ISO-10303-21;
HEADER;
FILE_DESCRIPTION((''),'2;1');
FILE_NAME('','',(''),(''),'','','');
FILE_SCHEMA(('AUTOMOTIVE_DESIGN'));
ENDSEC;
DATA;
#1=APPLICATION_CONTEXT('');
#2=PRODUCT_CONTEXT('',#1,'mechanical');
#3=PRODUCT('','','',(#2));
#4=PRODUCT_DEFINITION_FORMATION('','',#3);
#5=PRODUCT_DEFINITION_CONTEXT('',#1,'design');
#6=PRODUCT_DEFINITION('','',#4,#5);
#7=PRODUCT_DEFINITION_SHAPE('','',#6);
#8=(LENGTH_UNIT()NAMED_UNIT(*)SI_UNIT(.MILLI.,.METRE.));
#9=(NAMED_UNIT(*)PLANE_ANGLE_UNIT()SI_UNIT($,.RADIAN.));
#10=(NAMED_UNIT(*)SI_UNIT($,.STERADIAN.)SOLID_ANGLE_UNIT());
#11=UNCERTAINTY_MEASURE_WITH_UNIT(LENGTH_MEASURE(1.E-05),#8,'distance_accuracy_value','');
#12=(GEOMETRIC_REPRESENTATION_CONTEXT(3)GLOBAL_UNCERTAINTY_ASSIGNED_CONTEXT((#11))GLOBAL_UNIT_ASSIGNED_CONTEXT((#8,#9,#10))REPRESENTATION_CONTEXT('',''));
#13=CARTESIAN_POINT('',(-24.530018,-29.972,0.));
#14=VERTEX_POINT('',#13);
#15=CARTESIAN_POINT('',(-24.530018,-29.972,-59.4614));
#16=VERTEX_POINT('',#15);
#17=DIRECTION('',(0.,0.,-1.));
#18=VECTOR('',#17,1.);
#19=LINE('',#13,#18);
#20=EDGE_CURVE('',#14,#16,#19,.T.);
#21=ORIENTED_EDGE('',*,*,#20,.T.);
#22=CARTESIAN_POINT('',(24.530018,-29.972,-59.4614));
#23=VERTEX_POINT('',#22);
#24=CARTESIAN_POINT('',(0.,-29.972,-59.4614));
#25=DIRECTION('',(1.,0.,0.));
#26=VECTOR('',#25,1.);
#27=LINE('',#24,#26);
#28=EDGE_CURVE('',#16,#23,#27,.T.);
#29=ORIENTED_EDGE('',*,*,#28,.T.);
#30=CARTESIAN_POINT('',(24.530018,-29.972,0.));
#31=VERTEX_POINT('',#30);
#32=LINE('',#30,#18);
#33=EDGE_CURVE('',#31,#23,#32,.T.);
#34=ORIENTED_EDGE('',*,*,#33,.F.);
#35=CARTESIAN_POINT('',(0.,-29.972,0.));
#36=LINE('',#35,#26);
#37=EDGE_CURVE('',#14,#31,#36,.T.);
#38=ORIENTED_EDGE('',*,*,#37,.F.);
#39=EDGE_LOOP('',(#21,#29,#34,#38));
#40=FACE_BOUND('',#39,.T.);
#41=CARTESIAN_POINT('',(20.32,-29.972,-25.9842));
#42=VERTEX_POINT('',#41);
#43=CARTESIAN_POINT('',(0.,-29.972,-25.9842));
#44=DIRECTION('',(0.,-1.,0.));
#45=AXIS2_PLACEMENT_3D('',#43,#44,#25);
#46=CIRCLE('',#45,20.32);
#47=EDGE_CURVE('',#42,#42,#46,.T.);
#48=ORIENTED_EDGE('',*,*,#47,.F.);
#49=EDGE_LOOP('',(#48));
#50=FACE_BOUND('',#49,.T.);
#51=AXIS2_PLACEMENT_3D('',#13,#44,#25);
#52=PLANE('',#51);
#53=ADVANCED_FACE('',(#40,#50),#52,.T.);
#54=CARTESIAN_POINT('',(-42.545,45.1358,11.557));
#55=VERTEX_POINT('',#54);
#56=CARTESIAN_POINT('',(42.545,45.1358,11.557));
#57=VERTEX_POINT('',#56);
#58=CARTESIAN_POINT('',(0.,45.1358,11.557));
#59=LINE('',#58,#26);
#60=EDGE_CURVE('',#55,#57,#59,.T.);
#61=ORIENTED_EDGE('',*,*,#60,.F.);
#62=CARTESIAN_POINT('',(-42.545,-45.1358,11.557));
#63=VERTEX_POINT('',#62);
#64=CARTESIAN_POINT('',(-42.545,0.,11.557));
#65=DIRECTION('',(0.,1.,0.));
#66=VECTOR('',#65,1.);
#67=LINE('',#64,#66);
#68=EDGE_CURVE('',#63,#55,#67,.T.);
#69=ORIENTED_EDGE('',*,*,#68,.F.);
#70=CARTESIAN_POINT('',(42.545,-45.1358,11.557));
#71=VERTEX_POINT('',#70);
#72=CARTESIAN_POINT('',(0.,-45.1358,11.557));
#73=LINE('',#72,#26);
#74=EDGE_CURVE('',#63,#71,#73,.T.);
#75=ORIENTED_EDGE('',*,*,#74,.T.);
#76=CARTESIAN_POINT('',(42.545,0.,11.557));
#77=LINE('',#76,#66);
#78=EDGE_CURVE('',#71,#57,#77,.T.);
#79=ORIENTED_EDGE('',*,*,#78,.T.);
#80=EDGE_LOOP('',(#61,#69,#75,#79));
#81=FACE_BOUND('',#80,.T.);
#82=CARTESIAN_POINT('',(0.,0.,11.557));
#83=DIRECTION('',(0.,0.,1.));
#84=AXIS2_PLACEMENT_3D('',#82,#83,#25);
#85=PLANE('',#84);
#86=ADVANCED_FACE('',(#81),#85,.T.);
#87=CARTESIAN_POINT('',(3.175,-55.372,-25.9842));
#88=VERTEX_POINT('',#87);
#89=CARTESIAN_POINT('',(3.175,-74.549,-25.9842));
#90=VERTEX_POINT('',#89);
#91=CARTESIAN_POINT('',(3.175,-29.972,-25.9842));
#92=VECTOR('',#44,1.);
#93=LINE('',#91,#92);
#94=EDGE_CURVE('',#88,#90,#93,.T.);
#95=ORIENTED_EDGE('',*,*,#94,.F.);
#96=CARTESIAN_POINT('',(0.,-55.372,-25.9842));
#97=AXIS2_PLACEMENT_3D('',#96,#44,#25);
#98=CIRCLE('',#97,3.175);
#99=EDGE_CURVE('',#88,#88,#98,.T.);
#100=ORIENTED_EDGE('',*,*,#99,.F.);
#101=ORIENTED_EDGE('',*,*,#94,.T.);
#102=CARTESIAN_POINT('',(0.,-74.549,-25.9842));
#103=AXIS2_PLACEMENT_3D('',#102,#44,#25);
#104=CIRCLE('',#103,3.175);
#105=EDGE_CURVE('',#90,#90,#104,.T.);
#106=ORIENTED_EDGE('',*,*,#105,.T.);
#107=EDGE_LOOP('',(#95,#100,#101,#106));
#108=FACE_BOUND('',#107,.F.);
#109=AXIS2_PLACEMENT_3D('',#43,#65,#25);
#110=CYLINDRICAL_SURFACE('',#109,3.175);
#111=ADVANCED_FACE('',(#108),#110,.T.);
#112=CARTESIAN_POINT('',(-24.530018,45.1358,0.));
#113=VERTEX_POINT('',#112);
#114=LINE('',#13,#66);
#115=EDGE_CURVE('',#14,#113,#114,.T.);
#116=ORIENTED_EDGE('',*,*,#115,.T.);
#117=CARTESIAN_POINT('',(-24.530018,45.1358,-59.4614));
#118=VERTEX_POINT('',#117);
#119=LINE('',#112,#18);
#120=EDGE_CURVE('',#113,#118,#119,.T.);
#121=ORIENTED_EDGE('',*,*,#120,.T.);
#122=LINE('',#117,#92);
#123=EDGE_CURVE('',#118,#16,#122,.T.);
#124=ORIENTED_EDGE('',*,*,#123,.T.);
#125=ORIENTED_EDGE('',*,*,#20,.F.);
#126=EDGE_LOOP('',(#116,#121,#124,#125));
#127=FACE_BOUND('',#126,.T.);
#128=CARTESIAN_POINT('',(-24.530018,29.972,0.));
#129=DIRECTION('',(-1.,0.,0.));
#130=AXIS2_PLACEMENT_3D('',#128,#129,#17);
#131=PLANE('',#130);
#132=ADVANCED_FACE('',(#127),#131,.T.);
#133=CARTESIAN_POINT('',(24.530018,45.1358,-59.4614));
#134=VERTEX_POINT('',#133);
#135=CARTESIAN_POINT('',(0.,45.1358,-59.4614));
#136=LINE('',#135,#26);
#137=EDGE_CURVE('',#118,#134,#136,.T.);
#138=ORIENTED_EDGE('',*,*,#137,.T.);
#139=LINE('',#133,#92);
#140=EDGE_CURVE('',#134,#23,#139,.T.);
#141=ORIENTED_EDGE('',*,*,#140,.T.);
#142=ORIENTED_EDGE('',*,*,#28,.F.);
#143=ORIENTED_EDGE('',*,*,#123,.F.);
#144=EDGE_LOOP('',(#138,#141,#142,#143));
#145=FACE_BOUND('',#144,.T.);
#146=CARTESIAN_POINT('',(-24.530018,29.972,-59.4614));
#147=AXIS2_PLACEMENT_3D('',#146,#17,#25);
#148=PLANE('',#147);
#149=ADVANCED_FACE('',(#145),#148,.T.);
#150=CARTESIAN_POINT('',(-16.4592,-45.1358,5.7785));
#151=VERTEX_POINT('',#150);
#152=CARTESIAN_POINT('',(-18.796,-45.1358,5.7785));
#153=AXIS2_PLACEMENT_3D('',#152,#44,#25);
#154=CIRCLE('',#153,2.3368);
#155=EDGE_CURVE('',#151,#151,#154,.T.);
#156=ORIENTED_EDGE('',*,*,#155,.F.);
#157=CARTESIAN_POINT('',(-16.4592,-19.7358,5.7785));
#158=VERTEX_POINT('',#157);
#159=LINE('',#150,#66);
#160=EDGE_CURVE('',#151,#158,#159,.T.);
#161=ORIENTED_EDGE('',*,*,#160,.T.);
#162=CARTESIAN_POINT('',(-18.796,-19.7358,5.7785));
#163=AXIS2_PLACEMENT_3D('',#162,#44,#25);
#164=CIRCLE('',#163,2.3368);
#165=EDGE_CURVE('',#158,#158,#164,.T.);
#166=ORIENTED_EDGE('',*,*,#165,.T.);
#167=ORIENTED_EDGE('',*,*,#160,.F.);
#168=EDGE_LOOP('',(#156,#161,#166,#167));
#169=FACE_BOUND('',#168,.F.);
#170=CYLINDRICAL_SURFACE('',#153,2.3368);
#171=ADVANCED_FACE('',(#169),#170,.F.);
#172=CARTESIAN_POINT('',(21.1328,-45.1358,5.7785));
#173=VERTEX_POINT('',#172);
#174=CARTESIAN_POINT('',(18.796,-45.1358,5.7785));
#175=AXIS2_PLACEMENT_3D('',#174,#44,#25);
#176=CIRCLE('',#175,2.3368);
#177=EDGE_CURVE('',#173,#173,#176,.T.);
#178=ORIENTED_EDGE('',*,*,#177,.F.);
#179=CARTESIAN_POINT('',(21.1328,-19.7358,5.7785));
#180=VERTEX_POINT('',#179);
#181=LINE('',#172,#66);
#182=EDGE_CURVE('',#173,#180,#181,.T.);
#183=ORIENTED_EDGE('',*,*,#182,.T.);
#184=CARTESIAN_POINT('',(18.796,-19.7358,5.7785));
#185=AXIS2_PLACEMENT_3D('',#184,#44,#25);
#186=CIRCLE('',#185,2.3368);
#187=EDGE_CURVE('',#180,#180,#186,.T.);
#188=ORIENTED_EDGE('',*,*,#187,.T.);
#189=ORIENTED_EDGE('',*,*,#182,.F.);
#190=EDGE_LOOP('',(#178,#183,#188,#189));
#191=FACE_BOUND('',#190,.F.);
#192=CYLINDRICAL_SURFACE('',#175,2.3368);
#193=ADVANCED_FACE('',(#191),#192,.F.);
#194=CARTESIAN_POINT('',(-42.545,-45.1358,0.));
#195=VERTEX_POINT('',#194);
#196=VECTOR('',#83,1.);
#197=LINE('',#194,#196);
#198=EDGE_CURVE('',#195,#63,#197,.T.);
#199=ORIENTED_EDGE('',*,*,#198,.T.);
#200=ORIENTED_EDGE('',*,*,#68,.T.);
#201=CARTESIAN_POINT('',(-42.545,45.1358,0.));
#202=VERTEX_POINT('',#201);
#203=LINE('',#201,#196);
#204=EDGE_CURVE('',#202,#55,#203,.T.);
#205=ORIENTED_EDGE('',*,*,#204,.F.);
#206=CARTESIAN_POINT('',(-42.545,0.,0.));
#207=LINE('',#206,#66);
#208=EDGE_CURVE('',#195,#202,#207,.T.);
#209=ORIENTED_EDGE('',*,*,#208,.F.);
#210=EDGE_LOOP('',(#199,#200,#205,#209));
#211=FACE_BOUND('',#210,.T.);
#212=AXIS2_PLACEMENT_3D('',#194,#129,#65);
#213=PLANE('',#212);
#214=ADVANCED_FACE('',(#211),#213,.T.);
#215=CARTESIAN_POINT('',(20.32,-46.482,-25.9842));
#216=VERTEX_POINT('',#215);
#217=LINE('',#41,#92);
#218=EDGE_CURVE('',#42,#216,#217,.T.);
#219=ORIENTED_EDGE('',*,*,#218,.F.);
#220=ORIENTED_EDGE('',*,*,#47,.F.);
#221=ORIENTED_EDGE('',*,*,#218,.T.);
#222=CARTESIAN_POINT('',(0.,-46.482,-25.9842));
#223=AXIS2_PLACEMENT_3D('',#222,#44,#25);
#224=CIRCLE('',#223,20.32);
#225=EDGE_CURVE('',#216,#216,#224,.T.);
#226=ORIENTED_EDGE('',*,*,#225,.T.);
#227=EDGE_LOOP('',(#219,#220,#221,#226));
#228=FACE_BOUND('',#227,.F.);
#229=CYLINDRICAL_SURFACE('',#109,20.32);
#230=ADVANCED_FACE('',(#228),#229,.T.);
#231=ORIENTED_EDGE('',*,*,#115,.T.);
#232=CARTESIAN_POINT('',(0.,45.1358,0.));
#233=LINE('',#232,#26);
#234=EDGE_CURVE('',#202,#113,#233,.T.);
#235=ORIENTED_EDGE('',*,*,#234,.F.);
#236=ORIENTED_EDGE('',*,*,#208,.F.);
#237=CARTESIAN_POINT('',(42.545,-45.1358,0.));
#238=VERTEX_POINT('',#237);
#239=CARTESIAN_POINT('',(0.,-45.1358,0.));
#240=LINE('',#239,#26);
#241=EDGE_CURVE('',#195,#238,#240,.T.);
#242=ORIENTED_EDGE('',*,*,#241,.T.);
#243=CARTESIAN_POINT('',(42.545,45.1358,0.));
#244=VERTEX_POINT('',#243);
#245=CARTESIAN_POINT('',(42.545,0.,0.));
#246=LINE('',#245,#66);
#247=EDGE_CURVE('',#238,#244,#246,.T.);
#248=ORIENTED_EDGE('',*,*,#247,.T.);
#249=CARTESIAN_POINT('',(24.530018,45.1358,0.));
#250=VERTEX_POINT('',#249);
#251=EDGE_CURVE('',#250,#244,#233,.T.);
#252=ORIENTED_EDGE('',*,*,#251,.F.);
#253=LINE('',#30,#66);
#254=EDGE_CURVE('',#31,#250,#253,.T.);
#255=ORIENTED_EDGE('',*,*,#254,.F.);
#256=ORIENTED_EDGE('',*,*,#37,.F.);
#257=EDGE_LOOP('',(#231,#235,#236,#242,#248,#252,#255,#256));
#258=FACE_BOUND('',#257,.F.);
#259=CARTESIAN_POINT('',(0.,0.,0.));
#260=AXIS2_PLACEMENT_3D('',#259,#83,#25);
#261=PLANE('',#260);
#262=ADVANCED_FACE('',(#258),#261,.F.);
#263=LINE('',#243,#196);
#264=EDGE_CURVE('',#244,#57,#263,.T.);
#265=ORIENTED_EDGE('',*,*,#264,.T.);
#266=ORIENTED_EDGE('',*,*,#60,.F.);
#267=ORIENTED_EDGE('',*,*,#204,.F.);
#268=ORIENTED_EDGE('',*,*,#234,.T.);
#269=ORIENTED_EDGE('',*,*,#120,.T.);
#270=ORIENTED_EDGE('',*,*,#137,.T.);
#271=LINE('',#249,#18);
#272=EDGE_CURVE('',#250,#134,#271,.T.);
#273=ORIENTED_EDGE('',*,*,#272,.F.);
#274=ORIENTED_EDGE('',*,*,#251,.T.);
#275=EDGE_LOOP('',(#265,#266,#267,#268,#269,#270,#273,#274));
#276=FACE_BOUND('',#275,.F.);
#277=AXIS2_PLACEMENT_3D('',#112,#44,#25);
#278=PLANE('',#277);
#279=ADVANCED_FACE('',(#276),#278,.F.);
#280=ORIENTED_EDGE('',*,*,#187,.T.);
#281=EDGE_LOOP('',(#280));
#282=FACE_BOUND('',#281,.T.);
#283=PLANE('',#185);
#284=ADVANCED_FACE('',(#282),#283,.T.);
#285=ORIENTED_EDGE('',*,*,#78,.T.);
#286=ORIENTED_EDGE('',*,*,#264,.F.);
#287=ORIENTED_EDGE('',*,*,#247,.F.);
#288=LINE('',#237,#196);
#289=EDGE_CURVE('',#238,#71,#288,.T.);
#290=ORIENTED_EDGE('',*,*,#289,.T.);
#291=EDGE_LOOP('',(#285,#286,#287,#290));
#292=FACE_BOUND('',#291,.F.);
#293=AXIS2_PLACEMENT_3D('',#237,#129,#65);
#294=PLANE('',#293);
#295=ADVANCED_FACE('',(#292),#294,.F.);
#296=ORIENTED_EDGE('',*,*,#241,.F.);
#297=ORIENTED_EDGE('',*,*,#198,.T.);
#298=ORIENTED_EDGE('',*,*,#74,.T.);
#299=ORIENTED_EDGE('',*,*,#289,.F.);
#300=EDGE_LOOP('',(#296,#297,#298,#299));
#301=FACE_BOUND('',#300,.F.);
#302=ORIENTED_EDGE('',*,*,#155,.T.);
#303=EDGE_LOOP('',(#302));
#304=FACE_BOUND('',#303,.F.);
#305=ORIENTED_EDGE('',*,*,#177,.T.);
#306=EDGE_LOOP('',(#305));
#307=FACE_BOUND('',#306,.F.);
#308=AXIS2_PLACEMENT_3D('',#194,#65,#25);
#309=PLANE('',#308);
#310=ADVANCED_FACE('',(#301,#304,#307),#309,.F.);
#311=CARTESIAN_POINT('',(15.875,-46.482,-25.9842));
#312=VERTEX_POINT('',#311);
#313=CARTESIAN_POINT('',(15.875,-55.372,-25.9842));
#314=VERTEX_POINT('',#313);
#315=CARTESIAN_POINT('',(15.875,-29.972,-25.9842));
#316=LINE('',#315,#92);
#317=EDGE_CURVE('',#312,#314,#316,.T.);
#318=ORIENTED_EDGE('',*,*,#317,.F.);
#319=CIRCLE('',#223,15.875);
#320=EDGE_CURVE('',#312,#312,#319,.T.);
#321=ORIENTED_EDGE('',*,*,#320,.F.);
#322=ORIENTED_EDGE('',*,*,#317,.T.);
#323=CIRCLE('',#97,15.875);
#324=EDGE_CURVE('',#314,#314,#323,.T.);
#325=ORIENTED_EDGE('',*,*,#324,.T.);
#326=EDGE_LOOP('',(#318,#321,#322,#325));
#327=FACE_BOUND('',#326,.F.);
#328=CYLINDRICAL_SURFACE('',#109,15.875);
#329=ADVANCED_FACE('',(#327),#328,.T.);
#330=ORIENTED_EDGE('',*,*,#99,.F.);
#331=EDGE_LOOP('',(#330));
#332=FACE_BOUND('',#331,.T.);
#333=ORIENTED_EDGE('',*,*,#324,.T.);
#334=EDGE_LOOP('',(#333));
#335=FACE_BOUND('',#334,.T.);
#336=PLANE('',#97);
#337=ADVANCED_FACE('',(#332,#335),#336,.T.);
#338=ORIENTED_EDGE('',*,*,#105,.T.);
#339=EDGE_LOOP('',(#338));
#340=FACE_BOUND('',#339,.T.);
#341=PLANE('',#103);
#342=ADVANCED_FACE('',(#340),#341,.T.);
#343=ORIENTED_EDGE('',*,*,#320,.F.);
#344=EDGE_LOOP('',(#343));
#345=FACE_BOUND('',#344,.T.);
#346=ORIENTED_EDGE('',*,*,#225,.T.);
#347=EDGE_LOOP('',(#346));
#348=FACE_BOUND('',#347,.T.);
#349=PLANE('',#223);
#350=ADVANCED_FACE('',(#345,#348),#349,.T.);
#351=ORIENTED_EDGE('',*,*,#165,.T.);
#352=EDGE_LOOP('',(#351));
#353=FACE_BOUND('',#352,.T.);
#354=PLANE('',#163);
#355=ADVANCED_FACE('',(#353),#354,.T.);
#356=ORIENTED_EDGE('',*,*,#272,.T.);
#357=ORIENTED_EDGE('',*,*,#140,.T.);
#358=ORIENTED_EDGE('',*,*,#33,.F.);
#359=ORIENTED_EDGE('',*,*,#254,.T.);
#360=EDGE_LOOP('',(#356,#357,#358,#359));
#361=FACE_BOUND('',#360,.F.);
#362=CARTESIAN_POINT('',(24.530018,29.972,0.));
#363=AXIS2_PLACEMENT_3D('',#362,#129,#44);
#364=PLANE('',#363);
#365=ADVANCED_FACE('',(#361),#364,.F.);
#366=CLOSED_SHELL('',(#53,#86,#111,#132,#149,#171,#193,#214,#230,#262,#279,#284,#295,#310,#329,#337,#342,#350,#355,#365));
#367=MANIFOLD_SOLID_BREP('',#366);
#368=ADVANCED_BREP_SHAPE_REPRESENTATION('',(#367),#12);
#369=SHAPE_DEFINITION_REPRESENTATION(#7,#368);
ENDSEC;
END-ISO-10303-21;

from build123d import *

# Parameters (mm, degrees)
F0_W      = 85.09
F0_H      = 90.2716
F1_DEPTH  = 11.557
F2_W      = 49.060036246
F2_H      = 59.944
F3_DEPTH  = 59.4614
F4_R      = 20.32
F4_R_2    = 15.875
F5_DEPTH  = 16.51
F4_R_3    = 3.175
F6_DEPTH  = 25.4
F7_DEPTH  = 44.577
F8_R      = 2.3368
F9_DEPTH  = 25.4
F10_DEPTH = 15.1638


with BuildPart() as f1:
    # F0 (on Top) → F1 (new body)
    with BuildSketch(Plane.XY):
        Rectangle(F0_W, F0_H)
    extrude(amount=F1_DEPTH)

    # F2 (on face) → F3 (join)
    with BuildSketch(Plane(origin=(0, 0, 0), x_dir=(1, 0, 0), z_dir=(0, 0, -1))):
        Rectangle(F2_W, F2_H)
    extrude(amount=F3_DEPTH)

    # F4 (on face) → F5 (join)
    with BuildSketch(Plane.XZ.offset(29.972)):
        with Locations((0, -25.9842)):
            Circle(F4_R)
        with Locations((0, -25.9842)):
            Circle(F4_R_2, mode=Mode.SUBTRACT)
    extrude(amount=F5_DEPTH)

    # F4 (on face) → F6 (join)
    with BuildSketch(Plane.XZ.offset(29.972)):
        with Locations((0, -25.9842)):
            Circle(F4_R_2)
        with Locations((0, -25.9842)):
            Circle(F4_R_3, mode=Mode.SUBTRACT)
    extrude(amount=F6_DEPTH)

    # F4 (on face) → F7 (join)
    with BuildSketch(Plane.XZ.offset(29.972)):
        with Locations((0, -25.9842)):
            Circle(F4_R_3)
    extrude(amount=F7_DEPTH)

    # F8 (on face) → F9 (cut)
    with BuildSketch(Plane.XZ.offset(45.1358)):
        with Locations((-18.796, 5.7785)):
            Circle(F8_R)
        with Locations((18.796, 5.7785)):
            Circle(F8_R)
    extrude(amount=-F9_DEPTH, mode=Mode.SUBTRACT)

    # F10 (add, through all): a face of the model
    f10_faces = [f1.faces().sort_by_distance(p)[0] for p in [
        (0, 29.972, -29.7307),
    ]]
    extrude(f10_faces, amount=F10_DEPTH)


solid = f1.part
